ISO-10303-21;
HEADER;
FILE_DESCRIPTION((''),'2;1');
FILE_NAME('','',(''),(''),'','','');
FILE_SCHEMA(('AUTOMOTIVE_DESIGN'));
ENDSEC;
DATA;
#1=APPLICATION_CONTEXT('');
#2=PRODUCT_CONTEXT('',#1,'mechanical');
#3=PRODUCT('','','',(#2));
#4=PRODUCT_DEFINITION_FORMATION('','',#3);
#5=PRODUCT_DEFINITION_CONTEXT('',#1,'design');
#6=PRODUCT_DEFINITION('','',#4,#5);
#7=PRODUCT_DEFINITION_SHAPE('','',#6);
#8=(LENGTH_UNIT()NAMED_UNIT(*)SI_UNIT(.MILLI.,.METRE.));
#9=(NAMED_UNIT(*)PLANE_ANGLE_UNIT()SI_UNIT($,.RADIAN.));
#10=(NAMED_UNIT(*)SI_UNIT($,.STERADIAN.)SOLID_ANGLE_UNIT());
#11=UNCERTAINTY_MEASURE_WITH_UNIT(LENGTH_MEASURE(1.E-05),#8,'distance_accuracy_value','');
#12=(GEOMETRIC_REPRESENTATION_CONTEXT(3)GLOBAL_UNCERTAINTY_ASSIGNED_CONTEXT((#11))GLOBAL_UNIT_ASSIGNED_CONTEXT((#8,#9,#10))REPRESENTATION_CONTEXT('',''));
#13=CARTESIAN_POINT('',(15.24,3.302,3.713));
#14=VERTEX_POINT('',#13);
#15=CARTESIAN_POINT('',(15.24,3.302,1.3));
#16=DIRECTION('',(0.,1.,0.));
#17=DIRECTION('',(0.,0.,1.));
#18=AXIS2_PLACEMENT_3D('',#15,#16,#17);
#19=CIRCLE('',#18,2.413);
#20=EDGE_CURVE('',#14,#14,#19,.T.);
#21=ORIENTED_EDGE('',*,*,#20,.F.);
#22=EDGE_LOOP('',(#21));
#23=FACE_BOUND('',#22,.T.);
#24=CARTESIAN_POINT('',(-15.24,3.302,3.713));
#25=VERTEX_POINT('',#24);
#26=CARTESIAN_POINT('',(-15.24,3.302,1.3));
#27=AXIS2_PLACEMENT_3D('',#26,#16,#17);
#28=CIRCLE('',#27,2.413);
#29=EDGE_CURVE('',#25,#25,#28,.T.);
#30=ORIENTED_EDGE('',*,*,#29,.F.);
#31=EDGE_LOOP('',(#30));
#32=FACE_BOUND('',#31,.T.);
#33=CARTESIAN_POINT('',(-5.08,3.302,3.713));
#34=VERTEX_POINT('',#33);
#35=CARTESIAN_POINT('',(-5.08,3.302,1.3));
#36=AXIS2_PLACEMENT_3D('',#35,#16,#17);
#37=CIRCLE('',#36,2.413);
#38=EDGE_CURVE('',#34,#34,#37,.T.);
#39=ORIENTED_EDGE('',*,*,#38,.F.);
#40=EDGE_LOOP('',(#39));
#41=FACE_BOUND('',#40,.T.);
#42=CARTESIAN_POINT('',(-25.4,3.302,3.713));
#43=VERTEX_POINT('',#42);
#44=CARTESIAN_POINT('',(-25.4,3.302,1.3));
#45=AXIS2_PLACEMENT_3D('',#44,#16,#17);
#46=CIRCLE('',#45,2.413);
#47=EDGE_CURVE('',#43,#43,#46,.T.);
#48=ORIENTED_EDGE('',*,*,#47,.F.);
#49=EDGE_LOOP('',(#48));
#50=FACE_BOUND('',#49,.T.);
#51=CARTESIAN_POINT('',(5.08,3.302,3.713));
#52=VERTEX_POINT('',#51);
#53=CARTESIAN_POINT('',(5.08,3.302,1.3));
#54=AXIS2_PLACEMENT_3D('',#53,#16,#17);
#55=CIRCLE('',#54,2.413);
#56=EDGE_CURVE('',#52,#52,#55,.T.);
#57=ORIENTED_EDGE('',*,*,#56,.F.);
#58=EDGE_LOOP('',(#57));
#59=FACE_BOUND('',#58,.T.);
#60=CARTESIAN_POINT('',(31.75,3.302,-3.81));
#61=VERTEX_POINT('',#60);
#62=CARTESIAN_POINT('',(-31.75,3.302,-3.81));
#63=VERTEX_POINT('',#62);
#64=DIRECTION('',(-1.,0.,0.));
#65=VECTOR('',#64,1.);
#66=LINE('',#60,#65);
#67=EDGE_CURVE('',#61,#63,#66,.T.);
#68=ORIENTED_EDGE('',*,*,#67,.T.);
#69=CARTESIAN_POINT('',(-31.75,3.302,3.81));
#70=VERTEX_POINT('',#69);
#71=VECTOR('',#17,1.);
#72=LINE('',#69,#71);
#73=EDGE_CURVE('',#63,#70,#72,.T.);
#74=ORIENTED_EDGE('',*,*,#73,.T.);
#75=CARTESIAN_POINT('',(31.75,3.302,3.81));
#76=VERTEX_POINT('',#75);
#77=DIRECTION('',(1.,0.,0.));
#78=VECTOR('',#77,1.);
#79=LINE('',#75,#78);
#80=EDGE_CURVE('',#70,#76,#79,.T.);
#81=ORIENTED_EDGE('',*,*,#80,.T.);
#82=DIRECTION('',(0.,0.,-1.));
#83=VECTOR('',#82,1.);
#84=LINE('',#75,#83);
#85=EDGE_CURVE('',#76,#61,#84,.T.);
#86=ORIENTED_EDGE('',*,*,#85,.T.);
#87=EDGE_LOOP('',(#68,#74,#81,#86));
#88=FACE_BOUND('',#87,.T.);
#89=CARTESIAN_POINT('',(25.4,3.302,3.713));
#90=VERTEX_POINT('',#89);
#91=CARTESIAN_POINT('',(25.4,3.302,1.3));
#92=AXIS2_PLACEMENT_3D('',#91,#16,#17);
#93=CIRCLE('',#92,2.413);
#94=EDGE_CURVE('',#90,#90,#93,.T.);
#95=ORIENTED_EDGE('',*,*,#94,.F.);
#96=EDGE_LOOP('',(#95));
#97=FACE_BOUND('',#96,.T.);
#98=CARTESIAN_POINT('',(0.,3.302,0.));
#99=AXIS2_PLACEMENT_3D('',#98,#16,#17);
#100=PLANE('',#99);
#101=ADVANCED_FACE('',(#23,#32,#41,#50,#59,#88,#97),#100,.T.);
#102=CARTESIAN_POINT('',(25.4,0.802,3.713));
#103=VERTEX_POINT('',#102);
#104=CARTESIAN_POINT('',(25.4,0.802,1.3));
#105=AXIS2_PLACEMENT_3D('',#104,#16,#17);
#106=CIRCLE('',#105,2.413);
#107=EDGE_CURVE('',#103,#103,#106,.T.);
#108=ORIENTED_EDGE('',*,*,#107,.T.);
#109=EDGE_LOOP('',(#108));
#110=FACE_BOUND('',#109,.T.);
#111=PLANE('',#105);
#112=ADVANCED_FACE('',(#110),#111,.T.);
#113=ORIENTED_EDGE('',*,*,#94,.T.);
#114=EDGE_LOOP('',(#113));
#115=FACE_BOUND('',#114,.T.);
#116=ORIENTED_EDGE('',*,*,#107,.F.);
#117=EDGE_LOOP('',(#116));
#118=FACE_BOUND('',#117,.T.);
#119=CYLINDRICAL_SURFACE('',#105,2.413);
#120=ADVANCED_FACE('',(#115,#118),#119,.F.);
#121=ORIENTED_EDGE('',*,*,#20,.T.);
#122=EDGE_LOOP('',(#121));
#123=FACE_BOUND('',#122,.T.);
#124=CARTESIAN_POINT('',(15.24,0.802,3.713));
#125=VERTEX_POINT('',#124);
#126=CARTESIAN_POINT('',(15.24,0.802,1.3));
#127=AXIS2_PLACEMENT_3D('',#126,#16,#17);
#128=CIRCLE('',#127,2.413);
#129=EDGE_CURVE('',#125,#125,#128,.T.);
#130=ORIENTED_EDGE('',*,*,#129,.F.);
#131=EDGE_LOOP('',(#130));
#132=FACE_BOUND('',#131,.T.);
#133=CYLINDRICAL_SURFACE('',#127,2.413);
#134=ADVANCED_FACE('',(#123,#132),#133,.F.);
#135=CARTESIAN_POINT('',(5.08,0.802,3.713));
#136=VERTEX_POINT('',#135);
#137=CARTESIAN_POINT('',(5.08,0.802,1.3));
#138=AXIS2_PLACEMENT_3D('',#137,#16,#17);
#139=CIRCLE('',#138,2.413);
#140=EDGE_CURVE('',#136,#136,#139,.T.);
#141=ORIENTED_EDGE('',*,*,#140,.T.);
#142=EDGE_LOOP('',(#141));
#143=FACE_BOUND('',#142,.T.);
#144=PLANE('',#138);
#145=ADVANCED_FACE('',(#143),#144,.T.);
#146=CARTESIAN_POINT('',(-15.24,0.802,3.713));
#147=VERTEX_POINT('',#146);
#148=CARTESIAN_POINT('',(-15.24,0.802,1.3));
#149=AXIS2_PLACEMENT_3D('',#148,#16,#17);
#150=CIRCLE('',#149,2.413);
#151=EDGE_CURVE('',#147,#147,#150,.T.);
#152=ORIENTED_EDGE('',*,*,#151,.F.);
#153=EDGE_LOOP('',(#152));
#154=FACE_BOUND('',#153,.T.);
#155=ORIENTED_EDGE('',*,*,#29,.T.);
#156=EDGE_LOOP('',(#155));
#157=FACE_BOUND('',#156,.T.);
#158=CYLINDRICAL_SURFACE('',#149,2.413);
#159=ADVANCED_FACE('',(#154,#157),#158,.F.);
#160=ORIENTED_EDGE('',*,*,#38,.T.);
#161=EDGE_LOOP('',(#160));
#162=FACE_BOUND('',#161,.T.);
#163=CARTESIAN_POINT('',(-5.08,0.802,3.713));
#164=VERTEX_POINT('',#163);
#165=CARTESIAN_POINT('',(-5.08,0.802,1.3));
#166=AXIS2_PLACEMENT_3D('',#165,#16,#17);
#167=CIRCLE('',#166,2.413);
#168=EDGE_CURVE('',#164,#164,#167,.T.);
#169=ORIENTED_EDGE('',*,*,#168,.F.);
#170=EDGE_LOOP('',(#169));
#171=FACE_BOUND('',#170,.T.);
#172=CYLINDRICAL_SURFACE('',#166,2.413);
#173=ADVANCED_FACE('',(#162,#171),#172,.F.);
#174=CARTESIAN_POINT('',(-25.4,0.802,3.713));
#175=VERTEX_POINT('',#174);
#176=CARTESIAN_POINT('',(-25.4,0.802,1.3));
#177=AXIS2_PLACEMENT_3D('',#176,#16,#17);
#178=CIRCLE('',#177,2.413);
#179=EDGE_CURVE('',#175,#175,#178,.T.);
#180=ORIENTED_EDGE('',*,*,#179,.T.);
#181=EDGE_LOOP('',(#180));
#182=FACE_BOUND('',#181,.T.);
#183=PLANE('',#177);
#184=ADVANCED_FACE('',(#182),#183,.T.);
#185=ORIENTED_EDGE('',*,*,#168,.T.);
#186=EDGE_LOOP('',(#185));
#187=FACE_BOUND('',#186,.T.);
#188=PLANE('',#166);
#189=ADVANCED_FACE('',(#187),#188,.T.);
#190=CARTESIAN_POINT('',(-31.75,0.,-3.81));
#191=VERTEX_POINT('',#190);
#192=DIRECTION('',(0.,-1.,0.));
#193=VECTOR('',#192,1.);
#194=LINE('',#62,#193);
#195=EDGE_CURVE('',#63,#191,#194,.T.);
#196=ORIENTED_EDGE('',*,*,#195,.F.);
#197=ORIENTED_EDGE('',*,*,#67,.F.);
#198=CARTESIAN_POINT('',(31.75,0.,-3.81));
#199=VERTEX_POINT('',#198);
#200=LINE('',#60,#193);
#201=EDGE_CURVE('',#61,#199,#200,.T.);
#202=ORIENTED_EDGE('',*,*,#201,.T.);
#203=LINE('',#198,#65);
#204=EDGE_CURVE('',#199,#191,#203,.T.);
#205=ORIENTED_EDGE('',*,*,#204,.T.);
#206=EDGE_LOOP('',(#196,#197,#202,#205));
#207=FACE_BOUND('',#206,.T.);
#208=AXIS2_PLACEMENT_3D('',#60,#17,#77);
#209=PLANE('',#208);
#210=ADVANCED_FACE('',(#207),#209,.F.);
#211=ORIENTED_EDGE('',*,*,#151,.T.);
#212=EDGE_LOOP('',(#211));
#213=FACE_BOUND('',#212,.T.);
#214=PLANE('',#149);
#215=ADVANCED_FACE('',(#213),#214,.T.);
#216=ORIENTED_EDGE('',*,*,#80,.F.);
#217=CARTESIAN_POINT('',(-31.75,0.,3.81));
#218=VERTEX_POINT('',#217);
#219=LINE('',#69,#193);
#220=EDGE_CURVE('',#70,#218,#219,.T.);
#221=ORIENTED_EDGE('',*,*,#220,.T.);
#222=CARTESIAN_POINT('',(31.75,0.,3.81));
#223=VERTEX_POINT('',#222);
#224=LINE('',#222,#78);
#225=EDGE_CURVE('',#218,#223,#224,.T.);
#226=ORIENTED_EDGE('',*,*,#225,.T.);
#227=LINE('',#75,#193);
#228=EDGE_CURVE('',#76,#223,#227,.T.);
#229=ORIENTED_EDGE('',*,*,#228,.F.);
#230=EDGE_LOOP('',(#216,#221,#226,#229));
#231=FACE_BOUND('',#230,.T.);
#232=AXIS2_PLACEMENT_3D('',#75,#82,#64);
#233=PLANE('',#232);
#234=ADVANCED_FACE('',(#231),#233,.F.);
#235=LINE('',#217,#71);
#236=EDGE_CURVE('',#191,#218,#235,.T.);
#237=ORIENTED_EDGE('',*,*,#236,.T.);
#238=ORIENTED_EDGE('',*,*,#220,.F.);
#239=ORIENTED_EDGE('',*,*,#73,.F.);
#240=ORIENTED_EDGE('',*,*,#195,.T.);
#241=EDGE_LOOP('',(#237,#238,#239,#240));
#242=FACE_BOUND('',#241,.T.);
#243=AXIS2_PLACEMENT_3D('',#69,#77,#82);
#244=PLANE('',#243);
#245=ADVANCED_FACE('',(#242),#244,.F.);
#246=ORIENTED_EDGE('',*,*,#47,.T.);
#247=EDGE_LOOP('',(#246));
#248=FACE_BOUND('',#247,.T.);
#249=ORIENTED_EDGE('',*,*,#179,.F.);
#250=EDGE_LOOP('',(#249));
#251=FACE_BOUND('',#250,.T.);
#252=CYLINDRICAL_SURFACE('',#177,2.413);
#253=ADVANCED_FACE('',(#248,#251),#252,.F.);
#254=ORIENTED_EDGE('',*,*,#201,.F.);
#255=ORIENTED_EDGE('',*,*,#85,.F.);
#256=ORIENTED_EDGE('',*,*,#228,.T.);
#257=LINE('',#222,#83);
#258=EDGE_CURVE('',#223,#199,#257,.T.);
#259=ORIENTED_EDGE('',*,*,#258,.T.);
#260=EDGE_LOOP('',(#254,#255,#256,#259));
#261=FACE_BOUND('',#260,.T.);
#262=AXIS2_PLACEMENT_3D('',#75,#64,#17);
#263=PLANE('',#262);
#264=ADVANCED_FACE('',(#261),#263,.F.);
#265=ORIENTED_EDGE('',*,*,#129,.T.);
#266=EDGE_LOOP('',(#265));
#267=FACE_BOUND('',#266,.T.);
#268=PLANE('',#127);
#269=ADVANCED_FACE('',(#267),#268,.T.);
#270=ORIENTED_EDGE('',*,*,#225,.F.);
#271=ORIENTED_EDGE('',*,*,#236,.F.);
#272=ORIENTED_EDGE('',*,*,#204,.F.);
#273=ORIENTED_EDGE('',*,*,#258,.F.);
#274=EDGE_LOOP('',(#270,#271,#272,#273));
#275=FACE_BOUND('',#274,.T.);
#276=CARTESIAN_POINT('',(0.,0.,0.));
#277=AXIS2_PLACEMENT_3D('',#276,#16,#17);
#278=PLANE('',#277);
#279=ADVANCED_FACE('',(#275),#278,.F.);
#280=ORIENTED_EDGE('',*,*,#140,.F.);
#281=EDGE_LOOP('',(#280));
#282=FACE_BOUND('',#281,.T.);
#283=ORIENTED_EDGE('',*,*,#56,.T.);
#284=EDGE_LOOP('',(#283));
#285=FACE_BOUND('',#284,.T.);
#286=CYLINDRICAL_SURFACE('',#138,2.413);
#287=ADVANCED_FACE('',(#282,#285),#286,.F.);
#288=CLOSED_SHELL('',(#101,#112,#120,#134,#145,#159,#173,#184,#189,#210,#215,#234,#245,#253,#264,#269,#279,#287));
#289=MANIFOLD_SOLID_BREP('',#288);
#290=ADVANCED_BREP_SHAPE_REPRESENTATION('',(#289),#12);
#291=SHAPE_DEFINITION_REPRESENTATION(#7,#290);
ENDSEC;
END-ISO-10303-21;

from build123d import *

# Parameters (mm, degrees)
SKETCH1_W           = 63.5
SKETCH1_H           = 7.62
BOSS_EXTRUDE1_DEPTH = 3.302
SKETCH3_R           = 2.413
CUT_EXTRUDE3_DEPTH  = 2.5


with BuildPart() as part:
    # Sketch1 → Boss-Extrude1 (new body)
    with BuildSketch(Plane(origin=(0, 0, 0), x_dir=(1, 0, 0), z_dir=(0, 1, 0))):
        Rectangle(SKETCH1_W, SKETCH1_H)
    extrude(amount=BOSS_EXTRUDE1_DEPTH)

    # Sketch3 → Cut-Extrude3 (cut)
    with BuildSketch(Plane(origin=(0, 3.302, 0), x_dir=(1, 0, 0), z_dir=(0, 1, 0))):
        with Locations((-5.08, -1.3)):
            Circle(SKETCH3_R)
        with Locations((5.08, -1.3)):
            Circle(SKETCH3_R)
        with Locations((15.24, -1.3)):
            Circle(SKETCH3_R)
        with Locations((25.4, -1.3)):
            Circle(SKETCH3_R)
        with Locations((-15.24, -1.3)):
            Circle(SKETCH3_R)
        with Locations((-25.4, -1.3)):
            Circle(SKETCH3_R)
    extrude(amount=-CUT_EXTRUDE3_DEPTH, mode=Mode.SUBTRACT)


solid = part.part
